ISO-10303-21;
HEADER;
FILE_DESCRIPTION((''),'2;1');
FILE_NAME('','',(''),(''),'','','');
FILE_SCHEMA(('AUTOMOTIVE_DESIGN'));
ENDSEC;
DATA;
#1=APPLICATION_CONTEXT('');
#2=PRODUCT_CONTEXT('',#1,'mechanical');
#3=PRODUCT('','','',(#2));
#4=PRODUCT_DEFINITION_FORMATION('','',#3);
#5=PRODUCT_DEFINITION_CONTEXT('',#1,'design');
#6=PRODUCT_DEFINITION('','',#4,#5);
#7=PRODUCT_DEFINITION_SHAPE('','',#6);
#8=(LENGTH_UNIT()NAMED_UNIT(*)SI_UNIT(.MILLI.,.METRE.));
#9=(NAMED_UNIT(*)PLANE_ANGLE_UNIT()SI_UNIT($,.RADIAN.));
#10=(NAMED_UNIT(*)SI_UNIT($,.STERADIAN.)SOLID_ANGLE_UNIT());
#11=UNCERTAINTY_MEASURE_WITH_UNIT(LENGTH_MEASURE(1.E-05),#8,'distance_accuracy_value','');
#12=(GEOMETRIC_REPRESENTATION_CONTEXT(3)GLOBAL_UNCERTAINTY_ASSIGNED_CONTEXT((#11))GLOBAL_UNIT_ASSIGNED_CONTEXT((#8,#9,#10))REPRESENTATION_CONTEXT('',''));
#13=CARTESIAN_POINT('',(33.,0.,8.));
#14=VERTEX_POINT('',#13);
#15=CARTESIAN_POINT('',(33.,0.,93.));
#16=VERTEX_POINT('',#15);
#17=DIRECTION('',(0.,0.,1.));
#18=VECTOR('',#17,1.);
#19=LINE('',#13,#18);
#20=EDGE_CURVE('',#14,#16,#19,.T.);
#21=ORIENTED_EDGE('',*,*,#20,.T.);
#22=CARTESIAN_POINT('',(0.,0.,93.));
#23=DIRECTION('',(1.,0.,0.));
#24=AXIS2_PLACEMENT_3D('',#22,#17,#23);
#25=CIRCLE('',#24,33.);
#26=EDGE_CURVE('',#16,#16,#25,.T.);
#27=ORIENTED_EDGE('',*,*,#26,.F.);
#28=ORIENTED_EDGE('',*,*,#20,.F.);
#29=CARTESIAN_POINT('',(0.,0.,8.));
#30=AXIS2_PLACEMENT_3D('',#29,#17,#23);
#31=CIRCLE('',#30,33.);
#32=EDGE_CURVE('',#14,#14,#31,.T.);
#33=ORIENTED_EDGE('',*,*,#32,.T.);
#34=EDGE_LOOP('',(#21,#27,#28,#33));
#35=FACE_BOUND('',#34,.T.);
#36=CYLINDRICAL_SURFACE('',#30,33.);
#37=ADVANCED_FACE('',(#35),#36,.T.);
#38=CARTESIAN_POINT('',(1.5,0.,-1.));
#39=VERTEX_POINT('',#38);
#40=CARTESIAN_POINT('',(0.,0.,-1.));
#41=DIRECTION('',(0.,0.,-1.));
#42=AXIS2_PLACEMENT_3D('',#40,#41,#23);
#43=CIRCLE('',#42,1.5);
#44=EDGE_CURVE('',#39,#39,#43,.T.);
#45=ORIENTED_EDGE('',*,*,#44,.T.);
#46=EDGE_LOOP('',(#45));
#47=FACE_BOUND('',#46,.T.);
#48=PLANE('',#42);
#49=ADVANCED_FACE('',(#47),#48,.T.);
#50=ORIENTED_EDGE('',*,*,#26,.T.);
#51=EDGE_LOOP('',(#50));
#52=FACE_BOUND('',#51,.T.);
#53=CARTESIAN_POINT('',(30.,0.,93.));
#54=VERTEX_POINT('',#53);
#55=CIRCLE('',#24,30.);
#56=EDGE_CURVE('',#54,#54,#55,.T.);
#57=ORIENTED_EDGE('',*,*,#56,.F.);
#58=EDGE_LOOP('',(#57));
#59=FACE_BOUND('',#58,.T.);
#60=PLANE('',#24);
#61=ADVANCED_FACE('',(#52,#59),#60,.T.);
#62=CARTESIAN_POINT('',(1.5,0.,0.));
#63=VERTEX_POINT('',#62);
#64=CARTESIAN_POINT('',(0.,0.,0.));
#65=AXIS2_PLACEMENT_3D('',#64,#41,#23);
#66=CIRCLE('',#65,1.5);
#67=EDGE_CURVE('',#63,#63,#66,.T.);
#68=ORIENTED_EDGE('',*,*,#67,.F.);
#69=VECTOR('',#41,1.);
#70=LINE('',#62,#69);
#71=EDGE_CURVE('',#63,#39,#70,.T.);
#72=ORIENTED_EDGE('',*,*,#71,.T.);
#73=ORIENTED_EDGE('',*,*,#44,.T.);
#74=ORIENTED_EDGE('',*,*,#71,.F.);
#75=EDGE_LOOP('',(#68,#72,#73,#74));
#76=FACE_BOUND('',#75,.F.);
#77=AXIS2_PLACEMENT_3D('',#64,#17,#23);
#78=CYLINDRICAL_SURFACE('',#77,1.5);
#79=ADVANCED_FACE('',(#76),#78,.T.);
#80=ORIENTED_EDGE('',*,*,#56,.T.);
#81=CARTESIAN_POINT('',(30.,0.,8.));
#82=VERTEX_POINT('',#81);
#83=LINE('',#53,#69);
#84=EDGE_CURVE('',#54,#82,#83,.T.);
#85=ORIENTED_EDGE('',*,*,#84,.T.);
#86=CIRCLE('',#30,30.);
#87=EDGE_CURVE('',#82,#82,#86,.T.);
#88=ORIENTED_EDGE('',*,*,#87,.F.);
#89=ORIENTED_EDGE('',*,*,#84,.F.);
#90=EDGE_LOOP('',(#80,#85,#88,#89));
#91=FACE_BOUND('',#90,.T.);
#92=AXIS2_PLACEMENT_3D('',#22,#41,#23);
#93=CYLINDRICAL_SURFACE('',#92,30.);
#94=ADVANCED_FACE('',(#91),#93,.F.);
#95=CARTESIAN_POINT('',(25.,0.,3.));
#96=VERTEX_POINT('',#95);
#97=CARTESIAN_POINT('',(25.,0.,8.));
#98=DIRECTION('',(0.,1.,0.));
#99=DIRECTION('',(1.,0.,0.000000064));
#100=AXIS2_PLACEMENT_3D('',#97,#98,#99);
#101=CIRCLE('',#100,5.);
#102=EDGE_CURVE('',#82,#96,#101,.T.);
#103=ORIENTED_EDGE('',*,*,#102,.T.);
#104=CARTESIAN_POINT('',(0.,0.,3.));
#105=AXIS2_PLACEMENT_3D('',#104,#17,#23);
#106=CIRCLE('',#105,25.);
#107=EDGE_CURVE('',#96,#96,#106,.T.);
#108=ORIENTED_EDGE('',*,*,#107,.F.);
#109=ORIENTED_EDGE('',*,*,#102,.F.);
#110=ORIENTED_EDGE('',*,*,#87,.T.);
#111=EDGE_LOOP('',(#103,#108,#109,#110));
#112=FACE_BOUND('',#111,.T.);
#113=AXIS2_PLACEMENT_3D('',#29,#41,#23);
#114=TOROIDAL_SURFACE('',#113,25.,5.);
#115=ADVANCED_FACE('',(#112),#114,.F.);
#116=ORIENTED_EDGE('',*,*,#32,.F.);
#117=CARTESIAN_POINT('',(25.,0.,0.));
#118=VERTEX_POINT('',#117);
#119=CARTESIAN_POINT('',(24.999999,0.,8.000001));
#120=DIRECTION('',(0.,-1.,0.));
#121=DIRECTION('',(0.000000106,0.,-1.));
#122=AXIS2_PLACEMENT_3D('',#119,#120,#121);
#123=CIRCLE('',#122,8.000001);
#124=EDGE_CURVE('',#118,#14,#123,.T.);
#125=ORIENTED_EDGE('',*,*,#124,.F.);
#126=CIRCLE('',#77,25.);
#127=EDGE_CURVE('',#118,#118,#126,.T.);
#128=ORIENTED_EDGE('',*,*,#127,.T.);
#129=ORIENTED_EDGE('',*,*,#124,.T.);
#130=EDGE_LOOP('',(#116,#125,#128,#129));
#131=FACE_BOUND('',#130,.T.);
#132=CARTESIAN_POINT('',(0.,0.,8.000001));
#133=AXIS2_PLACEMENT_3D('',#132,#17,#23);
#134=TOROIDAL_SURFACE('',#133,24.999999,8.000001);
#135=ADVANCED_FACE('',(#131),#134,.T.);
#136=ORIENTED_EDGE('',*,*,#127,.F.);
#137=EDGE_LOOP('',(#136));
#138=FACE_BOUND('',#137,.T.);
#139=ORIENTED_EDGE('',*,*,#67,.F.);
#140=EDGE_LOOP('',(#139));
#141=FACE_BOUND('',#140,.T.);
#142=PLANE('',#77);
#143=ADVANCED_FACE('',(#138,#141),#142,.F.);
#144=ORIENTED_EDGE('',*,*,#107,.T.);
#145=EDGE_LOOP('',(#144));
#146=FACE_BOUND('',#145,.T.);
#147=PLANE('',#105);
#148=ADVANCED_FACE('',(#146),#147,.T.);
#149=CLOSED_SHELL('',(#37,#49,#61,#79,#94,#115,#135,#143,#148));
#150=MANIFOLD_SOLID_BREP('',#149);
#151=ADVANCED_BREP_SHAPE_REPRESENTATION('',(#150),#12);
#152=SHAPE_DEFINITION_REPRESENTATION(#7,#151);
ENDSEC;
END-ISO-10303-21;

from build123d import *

# Parameters (mm, degrees)
F2_R     = 1.5
F3_DEPTH = 1


with BuildPart() as f1:
    # F0 (on Front) → F1 (revolve)
    with BuildSketch(Plane.XZ):
        with BuildLine():
            Line((0, 3), (0, 0))
            Line((0, 0), (25, 0))
            ThreePointArc((25, 0), (30.656854, 2.343146), (33, 8))
            Line((33, 8), (33, 93))
            Line((33, 93), (30, 93))
            Line((30, 93), (30, 8))
            ThreePointArc((30, 8), (28.535534, 4.464466), (25, 3))
            Line((25, 3), (0, 3))
        make_face()
    revolve(axis=Axis((0, 0, 7.581016), (0, 0, 1)))

    # F2 (on face) → F3 (join)
    with BuildSketch(Plane(origin=(0, 0, 0), x_dir=(1, 0, 0), z_dir=(0, 0, -1))):
        Circle(F2_R)
    extrude(amount=F3_DEPTH)


solid = f1.part
